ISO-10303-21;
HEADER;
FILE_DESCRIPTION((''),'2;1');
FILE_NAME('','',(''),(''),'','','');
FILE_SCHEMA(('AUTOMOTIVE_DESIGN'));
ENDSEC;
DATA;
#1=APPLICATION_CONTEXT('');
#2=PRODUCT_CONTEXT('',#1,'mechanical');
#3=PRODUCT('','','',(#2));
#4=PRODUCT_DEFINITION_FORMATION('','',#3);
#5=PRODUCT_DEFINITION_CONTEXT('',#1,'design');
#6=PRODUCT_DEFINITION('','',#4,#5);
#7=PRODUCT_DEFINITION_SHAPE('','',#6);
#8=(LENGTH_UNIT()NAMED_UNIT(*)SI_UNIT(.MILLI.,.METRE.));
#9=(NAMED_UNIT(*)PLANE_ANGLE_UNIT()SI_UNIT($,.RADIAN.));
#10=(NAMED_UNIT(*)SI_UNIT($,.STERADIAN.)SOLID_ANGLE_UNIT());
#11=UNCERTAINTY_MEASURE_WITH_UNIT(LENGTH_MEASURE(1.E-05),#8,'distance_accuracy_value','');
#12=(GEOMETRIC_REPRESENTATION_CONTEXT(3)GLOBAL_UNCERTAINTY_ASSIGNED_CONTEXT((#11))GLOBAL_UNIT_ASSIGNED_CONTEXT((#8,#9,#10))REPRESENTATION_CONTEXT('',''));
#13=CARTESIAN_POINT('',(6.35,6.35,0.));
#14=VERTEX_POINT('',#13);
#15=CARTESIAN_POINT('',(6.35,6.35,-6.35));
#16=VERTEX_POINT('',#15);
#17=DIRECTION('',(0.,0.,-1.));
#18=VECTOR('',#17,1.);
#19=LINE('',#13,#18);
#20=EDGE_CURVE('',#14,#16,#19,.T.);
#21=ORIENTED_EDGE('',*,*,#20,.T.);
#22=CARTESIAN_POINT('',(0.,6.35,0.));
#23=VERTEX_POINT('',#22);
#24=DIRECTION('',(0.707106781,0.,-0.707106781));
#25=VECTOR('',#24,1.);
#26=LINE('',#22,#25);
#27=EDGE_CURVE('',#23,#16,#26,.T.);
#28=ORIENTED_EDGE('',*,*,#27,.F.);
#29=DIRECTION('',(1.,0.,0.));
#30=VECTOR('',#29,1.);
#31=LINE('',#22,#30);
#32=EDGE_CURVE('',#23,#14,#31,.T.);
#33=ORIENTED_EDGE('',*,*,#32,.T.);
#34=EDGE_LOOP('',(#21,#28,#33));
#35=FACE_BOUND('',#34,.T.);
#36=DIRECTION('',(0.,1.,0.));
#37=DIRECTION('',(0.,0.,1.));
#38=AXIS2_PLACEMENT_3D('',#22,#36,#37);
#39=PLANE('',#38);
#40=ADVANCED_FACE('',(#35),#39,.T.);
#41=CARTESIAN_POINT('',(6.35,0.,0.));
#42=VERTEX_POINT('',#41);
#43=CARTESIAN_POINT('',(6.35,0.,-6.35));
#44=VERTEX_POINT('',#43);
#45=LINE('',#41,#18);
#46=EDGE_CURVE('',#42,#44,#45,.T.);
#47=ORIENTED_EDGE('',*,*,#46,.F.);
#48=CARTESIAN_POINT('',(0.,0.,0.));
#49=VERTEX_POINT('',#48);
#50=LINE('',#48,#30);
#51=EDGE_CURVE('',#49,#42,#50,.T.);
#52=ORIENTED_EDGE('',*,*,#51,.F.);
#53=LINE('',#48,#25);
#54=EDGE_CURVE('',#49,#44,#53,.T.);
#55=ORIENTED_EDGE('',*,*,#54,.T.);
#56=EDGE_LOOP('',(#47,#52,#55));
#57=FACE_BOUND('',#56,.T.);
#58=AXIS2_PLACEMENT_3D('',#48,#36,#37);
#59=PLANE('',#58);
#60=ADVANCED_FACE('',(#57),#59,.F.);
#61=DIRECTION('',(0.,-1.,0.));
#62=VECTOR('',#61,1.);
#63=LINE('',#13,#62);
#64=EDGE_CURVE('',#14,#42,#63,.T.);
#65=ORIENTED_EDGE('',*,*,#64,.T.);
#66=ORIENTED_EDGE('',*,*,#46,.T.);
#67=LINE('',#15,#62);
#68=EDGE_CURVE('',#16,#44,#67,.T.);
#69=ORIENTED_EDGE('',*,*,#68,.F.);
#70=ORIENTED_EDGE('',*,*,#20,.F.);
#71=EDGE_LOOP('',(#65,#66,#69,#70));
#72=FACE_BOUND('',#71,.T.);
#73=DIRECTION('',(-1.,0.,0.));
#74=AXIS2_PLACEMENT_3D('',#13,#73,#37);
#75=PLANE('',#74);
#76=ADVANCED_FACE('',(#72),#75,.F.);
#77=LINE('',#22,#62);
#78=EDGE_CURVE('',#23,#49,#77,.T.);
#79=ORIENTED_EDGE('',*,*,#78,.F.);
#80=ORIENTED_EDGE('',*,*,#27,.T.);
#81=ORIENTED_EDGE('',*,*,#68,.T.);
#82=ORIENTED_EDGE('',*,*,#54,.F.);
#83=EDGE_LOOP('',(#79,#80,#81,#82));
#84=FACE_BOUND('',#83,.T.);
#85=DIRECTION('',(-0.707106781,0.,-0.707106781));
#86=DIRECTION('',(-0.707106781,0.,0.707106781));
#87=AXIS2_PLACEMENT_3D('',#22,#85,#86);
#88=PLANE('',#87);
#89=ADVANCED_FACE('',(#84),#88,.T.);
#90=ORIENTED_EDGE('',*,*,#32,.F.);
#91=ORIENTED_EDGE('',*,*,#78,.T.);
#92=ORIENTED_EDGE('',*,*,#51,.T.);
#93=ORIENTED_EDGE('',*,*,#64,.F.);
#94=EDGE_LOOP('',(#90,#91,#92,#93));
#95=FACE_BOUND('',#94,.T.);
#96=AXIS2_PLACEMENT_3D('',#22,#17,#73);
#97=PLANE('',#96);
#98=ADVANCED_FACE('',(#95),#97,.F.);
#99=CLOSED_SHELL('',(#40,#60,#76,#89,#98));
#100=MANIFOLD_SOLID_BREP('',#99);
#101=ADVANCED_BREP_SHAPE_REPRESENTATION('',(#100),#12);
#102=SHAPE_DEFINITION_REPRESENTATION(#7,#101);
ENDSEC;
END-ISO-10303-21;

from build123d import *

# Parameters (mm, degrees)
BOSS_EXTRUDE1_DEPTH = 6.35


with BuildPart() as part:
    # Sketch1 → Boss-Extrude1 (new body)
    with BuildSketch(Plane(origin=(0, 0, 0), x_dir=(1, 0, 0), z_dir=(0, 1, 0))):
        Polygon((6.35, 6.35), (0, 0), (6.35, 0), align=None)
    extrude(amount=BOSS_EXTRUDE1_DEPTH)


solid = part.part
